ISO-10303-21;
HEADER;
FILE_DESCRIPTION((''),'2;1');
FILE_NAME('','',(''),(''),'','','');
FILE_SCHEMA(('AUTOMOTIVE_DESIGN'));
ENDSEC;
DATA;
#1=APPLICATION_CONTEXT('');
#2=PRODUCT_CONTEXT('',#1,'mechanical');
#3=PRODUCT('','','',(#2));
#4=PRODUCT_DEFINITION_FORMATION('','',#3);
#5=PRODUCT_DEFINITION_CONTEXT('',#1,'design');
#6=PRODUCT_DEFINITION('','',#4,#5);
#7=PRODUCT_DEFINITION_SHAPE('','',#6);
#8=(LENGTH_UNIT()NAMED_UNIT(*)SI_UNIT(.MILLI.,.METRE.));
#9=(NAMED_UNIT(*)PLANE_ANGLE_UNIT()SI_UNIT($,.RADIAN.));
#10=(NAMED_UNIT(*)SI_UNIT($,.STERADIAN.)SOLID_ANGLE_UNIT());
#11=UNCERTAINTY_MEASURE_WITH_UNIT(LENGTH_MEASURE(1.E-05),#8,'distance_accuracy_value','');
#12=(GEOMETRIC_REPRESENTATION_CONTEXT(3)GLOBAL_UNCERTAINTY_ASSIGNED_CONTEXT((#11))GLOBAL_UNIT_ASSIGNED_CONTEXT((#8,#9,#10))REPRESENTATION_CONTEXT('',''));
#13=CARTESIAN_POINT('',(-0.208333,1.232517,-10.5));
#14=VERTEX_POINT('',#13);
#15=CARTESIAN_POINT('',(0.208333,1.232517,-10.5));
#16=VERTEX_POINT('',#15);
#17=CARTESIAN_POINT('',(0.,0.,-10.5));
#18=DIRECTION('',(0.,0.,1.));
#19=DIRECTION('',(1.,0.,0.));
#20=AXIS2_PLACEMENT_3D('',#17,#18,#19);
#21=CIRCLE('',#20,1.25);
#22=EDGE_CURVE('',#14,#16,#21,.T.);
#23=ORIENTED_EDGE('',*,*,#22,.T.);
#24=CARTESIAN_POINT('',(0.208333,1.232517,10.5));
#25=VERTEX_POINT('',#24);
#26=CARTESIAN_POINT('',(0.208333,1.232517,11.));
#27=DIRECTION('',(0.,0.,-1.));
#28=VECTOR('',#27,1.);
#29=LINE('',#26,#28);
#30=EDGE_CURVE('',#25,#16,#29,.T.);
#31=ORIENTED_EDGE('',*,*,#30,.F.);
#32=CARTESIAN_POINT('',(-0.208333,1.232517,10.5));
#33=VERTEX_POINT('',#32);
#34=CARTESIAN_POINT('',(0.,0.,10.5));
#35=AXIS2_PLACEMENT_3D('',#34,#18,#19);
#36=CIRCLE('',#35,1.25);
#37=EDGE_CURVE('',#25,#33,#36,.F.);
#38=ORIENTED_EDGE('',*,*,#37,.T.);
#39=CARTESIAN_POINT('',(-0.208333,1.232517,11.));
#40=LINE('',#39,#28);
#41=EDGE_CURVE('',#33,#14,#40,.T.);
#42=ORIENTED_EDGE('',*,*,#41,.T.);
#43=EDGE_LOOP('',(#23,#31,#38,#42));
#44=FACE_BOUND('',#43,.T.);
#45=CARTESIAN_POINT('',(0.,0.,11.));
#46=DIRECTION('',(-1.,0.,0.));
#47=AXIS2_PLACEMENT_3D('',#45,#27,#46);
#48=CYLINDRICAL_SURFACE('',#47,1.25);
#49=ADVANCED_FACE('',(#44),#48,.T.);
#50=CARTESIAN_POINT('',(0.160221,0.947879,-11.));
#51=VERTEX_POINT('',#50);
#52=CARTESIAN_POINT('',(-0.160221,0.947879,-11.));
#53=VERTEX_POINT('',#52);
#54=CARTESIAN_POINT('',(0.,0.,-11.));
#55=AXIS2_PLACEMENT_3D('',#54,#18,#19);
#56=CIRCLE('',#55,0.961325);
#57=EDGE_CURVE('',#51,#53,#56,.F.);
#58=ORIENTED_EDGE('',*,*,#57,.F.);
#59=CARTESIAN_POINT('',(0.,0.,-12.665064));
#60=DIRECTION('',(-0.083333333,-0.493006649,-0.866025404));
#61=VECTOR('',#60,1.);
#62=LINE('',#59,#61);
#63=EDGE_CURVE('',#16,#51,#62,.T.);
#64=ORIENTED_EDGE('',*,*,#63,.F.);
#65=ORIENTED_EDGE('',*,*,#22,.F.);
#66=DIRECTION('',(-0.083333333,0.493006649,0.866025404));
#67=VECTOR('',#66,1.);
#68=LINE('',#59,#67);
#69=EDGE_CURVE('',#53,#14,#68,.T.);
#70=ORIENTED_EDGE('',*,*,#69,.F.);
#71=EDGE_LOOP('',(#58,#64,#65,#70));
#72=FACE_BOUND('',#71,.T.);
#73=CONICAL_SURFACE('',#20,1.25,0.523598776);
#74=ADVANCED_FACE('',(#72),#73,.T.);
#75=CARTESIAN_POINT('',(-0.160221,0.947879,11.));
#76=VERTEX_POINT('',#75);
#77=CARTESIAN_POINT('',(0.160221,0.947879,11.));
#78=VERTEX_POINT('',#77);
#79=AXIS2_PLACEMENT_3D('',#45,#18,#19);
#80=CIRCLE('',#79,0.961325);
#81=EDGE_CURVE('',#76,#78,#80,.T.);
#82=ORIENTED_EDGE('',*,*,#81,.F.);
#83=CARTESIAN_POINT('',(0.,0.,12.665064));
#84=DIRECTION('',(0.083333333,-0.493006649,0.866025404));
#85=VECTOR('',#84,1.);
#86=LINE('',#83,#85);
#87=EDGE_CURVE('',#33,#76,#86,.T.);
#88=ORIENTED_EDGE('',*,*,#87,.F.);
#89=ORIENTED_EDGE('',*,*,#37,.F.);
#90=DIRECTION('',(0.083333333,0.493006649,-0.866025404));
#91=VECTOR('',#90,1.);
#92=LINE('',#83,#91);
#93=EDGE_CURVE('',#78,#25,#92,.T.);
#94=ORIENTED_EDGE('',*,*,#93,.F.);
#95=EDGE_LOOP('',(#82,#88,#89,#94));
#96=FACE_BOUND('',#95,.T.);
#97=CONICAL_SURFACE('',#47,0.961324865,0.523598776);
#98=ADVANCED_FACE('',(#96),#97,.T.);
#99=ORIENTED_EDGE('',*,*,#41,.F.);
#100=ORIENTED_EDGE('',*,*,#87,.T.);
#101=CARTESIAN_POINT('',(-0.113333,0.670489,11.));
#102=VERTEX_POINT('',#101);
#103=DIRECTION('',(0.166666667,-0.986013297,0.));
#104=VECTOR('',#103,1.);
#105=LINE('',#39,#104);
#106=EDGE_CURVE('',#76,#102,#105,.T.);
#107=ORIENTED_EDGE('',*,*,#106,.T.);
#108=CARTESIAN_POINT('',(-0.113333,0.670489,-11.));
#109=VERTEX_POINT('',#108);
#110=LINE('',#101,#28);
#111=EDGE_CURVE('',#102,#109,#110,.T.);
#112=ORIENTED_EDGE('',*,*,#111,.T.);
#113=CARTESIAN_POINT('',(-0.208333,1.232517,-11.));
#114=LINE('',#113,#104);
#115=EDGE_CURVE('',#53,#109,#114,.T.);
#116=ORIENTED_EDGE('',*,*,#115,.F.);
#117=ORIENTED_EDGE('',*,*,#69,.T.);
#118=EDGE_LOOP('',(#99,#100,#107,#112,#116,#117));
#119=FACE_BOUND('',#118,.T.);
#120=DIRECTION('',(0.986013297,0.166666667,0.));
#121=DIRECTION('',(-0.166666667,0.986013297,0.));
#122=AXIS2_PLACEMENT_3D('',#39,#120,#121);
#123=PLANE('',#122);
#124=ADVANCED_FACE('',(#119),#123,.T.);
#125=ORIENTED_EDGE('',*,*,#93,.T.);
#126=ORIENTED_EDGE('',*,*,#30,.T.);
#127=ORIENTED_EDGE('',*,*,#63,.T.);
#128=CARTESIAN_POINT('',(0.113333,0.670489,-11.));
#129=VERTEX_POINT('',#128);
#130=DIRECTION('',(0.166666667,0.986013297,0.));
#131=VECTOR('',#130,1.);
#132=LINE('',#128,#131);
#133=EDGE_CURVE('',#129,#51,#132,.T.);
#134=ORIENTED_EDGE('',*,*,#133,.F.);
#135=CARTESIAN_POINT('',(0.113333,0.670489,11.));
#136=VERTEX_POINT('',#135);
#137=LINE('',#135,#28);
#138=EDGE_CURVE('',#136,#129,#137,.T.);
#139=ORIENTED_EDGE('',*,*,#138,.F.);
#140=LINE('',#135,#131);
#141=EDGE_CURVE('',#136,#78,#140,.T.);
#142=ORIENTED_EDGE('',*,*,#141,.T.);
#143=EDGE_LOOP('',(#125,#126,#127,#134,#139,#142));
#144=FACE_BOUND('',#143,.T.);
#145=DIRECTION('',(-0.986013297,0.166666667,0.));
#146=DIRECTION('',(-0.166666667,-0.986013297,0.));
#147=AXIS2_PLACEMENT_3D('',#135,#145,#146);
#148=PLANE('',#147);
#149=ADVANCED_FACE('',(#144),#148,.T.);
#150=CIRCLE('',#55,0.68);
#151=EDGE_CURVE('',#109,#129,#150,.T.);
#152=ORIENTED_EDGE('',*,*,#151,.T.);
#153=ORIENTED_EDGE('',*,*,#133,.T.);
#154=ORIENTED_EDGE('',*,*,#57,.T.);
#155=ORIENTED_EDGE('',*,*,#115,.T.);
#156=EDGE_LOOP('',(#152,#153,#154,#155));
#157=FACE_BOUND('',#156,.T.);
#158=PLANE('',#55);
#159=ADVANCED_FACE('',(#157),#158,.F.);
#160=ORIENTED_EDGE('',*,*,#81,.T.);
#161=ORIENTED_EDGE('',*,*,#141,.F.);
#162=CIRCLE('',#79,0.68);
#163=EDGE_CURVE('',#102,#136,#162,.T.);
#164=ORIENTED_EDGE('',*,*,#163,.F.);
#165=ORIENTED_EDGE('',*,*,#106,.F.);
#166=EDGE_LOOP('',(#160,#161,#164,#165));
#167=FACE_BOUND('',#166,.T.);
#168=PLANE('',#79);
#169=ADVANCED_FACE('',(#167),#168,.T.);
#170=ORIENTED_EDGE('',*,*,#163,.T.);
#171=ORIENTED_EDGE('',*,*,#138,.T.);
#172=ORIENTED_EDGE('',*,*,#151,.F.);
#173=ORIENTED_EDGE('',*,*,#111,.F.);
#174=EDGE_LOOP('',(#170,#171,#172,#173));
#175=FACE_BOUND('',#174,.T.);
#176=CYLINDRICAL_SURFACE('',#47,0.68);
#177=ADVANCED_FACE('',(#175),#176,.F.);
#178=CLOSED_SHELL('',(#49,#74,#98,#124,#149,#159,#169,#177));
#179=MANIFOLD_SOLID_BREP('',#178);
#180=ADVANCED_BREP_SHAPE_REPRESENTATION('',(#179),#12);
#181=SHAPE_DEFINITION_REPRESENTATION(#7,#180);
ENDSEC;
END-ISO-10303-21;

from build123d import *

# Parameters (mm, degrees)
BASE_EXTRUDE_THIN_DEPTH = 11
CHAMFER1_SIZE           = 0.5
CHAMFER1_SIZE2          = 0.288675135


with BuildPart() as part:
    # Sketch1 → Base-Extrude-Thin (new, symmetric)
    with BuildSketch(Plane.XY):
        with BuildLine():
            ThreePointArc((-0.208333333, 1.232516621), (0, -1.25), (0.208333333, 1.232516621))
            Line((0.208333333, 1.232516621), (0.113333333, 0.670489042))
            ThreePointArc((0.113333333, 0.670489042), (0, -0.68), (-0.113333333, 0.670489042))
            Line((-0.113333333, 0.670489042), (-0.208333333, 1.232516621))
        make_face()
    extrude(amount=BASE_EXTRUDE_THIN_DEPTH, both=True)

    # Chamfer1
    chamfer1_edges = [part.edges().sort_by_distance(p)[0] for p in [
        (0, -1.25, 11),
        (0, -1.25, -11),
    ]]
    chamfer1_side = [part.faces().sort_by_distance(p)[0] for p in [
        (0, -1.25, 0),
    ]]
    chamfer(chamfer1_edges, length=CHAMFER1_SIZE, length2=CHAMFER1_SIZE2, reference=chamfer1_side[0])


solid = part.part
